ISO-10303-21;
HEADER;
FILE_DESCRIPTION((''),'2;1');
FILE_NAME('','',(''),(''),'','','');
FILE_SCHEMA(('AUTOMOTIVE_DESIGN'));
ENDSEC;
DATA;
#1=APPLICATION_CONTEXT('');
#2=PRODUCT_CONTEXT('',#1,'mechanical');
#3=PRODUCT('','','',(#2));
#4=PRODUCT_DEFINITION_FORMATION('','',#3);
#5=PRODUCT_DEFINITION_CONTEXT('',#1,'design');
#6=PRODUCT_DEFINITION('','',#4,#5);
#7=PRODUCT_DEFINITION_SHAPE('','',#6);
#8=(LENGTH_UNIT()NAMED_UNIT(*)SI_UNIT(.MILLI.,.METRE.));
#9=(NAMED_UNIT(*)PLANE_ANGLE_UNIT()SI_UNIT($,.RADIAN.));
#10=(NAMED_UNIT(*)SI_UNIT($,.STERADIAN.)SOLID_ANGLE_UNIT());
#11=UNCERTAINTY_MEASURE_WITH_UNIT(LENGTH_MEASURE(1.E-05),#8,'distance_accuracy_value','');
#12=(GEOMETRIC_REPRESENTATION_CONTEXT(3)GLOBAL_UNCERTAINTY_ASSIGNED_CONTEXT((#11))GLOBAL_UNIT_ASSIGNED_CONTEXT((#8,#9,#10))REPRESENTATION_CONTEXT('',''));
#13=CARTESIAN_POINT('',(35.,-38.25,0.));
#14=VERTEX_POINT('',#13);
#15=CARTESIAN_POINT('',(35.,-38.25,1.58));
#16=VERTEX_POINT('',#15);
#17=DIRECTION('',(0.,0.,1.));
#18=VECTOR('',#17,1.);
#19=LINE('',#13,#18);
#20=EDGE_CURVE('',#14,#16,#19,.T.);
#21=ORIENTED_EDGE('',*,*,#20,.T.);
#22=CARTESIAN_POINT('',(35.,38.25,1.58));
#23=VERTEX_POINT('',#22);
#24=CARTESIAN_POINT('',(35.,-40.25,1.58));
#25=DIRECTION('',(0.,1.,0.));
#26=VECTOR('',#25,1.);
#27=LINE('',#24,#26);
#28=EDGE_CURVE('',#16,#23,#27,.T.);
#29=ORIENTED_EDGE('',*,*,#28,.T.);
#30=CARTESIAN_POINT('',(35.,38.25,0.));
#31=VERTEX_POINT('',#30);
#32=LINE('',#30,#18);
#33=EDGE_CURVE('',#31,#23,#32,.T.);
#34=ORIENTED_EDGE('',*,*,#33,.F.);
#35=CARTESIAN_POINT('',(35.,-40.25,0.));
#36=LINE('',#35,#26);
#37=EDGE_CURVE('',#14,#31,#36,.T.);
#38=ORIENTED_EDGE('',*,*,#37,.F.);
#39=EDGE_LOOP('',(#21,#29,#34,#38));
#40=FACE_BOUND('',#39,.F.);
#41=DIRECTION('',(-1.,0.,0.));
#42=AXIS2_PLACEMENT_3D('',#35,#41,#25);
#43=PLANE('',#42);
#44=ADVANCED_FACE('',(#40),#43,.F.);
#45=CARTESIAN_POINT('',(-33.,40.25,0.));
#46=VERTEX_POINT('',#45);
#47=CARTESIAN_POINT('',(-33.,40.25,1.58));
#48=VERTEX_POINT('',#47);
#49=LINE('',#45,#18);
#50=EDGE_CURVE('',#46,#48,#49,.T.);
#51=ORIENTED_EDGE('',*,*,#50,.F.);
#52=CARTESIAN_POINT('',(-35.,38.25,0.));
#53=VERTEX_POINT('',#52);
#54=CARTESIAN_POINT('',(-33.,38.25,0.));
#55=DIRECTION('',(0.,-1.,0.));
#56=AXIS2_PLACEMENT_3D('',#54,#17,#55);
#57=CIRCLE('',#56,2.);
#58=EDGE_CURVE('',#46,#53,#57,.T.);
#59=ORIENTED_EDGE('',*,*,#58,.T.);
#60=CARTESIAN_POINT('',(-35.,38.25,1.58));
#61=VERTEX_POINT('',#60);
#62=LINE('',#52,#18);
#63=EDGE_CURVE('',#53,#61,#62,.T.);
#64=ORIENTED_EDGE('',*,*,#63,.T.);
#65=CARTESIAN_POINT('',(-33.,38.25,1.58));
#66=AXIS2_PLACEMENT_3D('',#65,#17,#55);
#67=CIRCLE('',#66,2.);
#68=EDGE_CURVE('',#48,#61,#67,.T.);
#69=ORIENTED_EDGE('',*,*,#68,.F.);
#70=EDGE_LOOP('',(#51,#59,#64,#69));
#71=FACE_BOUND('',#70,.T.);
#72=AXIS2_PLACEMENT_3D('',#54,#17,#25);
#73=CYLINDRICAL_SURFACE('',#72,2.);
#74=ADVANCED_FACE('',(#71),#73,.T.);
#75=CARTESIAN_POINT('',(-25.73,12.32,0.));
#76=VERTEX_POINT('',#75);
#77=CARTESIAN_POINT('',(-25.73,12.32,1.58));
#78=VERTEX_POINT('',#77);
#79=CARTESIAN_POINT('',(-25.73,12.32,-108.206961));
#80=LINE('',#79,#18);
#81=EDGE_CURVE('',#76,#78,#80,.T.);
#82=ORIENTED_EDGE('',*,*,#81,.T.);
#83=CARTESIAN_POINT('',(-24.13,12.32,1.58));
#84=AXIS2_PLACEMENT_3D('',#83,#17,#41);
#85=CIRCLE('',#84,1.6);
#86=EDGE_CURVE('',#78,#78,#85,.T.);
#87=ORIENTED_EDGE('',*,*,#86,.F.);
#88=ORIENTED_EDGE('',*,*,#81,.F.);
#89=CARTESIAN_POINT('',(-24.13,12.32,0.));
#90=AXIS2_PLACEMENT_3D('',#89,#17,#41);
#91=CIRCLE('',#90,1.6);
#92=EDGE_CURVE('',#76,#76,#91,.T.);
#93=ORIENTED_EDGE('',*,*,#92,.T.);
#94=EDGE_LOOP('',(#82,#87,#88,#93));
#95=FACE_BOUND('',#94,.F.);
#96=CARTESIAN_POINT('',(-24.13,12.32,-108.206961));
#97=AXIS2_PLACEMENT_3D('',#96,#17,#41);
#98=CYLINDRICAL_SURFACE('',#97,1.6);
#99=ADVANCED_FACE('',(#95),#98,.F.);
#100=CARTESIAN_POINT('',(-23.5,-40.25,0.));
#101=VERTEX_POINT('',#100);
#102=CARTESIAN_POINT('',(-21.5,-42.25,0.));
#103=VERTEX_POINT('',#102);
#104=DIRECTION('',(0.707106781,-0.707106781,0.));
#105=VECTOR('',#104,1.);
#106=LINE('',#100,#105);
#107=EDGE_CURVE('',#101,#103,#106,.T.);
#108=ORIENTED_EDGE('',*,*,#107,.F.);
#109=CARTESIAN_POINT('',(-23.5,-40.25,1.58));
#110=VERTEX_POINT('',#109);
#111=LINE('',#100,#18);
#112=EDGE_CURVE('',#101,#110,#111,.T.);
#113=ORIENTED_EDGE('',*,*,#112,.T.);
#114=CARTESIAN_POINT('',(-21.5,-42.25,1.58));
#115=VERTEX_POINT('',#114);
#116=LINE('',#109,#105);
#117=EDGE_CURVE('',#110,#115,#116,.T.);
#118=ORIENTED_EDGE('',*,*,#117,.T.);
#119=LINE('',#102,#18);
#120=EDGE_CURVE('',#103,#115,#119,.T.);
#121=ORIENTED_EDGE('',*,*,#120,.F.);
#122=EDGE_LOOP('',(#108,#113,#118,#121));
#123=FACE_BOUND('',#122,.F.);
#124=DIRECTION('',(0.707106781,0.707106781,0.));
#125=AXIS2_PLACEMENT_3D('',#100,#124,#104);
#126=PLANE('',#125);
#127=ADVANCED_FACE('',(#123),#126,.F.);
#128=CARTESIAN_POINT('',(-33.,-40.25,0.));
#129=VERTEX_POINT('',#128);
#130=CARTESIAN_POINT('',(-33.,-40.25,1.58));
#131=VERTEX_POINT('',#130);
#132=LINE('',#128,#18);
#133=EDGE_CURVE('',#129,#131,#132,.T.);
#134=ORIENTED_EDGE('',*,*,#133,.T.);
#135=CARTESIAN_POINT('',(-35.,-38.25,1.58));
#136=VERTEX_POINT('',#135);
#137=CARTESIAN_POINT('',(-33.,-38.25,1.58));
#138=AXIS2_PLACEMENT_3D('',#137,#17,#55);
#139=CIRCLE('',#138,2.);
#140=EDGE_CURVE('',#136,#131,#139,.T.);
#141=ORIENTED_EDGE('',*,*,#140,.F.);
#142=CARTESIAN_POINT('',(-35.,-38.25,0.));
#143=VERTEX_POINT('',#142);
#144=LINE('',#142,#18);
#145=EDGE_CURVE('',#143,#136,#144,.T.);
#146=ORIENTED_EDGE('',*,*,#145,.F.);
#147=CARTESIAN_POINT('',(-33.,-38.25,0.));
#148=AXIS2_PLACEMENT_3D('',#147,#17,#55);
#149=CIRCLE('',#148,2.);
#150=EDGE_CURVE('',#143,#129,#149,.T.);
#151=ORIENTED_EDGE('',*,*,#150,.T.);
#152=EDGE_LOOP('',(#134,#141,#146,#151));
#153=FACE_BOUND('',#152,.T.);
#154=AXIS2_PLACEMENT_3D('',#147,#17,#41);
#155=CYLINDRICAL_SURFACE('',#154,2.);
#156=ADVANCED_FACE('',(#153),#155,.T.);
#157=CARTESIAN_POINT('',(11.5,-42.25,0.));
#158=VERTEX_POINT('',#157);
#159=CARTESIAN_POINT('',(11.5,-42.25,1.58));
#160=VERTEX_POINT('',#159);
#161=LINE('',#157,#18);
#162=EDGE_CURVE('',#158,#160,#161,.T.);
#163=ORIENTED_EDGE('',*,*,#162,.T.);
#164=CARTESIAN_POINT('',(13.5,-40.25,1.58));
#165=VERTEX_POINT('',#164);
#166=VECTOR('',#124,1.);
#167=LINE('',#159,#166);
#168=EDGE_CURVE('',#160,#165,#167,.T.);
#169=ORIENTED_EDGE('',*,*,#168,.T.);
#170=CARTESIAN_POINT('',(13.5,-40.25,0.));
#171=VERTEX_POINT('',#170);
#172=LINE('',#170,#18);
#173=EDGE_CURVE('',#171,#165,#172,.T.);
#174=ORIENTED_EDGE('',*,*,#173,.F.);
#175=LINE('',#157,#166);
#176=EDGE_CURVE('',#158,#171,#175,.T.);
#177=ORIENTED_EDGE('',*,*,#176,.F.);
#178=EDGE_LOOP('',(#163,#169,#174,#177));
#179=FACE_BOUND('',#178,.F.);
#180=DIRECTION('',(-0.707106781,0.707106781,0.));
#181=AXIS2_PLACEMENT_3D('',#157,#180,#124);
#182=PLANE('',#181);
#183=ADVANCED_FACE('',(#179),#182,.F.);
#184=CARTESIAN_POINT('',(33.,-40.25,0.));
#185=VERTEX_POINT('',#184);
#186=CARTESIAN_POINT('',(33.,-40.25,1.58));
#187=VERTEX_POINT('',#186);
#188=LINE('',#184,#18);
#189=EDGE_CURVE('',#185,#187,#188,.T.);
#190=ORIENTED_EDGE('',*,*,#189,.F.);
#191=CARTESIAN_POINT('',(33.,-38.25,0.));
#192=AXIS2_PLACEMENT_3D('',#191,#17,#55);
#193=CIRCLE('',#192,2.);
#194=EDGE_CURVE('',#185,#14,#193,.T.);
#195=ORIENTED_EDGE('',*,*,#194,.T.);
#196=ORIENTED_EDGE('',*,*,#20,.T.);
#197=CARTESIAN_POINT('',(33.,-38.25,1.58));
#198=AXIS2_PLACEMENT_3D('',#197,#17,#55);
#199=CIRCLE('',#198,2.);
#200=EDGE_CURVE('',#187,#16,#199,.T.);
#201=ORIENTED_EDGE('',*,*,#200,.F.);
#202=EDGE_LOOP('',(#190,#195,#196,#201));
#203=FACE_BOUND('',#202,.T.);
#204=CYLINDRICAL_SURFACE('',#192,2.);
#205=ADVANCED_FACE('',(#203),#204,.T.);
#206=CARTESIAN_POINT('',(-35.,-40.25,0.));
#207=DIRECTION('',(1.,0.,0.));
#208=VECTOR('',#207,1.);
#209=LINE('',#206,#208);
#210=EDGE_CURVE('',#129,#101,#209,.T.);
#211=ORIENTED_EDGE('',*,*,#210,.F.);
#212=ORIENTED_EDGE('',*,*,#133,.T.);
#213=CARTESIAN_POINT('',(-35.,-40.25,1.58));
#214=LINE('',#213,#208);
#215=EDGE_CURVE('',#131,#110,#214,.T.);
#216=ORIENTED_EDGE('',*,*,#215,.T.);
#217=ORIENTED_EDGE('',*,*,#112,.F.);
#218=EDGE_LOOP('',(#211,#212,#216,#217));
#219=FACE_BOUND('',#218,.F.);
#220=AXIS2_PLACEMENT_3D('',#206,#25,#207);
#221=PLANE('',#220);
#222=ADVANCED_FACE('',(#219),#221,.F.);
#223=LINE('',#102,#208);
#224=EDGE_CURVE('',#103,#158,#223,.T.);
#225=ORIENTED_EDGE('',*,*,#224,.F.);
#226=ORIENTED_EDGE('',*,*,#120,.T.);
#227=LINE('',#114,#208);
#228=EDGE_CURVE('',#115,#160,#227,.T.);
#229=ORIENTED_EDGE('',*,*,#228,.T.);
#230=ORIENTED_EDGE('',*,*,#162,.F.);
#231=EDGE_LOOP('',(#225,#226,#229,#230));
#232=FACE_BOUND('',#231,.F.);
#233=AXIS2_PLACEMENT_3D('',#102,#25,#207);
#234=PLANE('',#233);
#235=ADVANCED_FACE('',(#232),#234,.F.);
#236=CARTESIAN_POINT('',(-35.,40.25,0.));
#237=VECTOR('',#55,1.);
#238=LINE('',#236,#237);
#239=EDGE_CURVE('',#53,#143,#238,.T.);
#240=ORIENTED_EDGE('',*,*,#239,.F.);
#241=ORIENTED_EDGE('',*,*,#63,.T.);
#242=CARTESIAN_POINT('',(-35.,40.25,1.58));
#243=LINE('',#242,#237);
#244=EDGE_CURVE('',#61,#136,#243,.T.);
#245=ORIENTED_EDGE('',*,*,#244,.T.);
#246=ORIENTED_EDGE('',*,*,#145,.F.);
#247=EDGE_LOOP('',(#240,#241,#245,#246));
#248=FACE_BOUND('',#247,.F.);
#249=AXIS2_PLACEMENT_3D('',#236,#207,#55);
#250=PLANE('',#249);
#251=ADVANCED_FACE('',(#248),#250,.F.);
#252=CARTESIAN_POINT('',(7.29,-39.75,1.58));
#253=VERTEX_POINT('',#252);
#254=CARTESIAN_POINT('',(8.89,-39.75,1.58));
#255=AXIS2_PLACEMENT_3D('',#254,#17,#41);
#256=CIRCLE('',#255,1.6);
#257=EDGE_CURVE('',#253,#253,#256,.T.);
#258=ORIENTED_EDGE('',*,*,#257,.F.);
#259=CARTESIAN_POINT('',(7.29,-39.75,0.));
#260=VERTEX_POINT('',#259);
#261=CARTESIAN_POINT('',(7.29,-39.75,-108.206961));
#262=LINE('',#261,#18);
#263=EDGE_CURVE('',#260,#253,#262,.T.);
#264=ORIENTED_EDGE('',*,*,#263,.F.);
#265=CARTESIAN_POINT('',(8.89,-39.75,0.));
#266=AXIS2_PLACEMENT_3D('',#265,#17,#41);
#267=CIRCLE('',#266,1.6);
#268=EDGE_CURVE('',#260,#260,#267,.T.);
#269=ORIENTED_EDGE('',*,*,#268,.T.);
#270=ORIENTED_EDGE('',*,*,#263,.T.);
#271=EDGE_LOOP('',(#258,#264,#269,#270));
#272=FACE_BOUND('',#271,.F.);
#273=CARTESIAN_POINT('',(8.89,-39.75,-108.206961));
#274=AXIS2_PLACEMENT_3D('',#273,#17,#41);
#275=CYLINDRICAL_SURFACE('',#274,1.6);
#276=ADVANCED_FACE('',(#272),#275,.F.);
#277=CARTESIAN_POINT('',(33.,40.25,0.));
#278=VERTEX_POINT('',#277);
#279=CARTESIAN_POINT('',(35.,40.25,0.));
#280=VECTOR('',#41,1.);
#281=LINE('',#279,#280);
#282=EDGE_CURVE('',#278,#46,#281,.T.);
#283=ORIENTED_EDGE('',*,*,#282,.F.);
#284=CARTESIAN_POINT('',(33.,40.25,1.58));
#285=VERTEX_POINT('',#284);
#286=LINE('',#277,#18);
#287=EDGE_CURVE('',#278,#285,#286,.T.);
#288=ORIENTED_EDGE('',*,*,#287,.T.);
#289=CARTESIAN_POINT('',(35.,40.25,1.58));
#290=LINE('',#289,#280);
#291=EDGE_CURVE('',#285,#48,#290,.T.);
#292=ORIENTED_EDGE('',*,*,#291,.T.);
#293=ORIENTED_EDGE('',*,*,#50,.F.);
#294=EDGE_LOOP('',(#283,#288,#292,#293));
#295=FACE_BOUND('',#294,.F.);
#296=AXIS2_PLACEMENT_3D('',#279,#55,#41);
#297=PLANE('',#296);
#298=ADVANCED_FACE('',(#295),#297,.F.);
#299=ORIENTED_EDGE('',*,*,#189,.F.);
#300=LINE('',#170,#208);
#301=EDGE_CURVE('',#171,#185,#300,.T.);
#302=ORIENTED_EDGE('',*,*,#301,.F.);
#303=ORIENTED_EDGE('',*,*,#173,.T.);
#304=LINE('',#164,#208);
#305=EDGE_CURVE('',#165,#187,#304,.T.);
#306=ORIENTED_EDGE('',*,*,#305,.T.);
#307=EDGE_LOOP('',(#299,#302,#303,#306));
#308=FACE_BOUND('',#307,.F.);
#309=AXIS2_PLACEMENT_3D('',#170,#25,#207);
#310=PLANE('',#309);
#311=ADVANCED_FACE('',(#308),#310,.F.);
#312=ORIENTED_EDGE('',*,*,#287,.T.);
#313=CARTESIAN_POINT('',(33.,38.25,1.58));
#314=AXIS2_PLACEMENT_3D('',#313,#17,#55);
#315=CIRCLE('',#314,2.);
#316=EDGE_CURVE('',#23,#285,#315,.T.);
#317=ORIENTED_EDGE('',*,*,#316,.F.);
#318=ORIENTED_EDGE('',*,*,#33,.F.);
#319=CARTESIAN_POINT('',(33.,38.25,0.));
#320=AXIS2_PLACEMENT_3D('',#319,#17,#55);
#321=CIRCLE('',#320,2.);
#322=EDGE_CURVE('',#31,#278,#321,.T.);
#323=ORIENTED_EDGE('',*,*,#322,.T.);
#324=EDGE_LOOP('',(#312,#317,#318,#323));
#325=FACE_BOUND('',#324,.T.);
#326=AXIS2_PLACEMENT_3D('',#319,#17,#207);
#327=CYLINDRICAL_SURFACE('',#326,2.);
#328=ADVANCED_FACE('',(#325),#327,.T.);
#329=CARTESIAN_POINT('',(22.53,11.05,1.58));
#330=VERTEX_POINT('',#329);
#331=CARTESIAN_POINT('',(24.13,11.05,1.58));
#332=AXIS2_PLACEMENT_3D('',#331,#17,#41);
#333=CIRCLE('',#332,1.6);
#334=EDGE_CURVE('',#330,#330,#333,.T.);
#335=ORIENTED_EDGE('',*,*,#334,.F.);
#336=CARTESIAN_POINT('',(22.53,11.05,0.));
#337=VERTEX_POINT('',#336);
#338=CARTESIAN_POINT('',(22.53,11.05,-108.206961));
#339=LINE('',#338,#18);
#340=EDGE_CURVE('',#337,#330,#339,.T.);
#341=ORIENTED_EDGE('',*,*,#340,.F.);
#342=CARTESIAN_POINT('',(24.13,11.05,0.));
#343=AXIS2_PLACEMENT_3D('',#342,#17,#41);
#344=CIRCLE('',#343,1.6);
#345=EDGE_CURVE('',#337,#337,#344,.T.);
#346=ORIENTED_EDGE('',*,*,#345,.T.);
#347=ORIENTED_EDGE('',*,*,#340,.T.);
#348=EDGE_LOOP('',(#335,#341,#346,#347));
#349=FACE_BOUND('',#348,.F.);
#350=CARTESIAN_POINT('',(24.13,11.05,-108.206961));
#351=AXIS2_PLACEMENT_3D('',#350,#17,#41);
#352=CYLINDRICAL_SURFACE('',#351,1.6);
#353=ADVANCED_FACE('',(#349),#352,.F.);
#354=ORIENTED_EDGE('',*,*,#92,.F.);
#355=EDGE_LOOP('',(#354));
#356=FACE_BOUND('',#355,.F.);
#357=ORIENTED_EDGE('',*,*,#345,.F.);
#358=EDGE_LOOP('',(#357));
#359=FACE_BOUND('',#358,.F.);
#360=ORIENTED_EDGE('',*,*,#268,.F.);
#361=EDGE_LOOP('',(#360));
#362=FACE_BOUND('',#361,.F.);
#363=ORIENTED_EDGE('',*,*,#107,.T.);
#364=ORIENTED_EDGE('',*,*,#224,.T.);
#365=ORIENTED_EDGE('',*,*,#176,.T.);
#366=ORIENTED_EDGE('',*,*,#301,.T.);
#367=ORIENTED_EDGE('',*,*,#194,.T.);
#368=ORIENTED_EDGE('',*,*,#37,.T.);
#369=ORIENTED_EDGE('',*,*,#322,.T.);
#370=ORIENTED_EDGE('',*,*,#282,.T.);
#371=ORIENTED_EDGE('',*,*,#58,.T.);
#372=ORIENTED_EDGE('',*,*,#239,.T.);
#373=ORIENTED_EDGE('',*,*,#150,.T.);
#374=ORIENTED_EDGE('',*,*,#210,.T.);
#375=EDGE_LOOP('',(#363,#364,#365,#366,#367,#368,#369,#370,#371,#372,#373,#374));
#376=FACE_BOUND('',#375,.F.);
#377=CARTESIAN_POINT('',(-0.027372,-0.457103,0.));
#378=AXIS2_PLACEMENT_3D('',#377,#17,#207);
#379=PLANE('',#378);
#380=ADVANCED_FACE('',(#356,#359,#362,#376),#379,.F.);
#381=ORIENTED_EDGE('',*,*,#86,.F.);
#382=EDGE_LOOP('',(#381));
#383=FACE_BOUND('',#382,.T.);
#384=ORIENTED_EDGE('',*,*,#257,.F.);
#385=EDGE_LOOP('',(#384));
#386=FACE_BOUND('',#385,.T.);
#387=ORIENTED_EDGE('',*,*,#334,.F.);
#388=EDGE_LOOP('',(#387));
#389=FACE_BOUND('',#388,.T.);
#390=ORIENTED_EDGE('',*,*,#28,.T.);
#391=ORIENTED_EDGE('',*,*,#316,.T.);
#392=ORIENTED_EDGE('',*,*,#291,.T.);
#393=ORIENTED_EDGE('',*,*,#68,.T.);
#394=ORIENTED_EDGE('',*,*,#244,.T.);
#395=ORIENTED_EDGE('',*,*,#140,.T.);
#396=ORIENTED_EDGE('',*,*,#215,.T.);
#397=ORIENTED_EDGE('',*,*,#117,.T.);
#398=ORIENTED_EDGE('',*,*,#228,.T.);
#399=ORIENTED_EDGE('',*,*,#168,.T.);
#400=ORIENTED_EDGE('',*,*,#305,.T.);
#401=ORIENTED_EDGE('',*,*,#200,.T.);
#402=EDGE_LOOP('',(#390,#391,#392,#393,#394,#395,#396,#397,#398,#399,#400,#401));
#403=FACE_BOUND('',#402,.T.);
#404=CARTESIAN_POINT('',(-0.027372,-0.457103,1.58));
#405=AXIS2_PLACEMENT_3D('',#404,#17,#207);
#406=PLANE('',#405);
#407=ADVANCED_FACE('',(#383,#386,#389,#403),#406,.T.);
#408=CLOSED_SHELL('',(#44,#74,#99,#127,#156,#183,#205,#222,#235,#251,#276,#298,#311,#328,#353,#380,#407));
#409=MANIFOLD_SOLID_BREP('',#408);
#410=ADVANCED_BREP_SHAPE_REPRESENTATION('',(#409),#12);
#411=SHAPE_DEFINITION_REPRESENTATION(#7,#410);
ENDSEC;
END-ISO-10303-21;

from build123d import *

# Parameters (mm, degrees)
F1_DEPTH = 1.58
F2_R     = 2
F3_D     = 3.2


with BuildPart() as f1:
    # F0 (on Top) → F1 (new body)
    with BuildSketch(Plane.XY):
        Polygon((13.5, -40.25), (35, -40.25), (35, 40.25), (-35, 40.25), (-35, -40.25), (-23.5, -40.25), (-21.5, -42.25), (11.5, -42.25), align=None)
    extrude(amount=F1_DEPTH)

    # F2
    f2_edges = [f1.edges().sort_by_distance(p)[0] for p in [
        (-35, 40.25, 0.79),
        (35, 40.25, 0.79),
        (-35, -40.25, 0.79),
        (35, -40.25, 0.79),
    ]]
    fillet(f2_edges, radius=F2_R)

    # F3 (through all)
    with Locations(Plane(origin=(0, 0, 0), x_dir=(1, 0, 0), z_dir=(0, 0, -1))):
        with Locations((-24.13, -12.32), (24.13, -11.05), (8.89, 39.75)):
            Hole(F3_D / 2)


solid = f1.part
